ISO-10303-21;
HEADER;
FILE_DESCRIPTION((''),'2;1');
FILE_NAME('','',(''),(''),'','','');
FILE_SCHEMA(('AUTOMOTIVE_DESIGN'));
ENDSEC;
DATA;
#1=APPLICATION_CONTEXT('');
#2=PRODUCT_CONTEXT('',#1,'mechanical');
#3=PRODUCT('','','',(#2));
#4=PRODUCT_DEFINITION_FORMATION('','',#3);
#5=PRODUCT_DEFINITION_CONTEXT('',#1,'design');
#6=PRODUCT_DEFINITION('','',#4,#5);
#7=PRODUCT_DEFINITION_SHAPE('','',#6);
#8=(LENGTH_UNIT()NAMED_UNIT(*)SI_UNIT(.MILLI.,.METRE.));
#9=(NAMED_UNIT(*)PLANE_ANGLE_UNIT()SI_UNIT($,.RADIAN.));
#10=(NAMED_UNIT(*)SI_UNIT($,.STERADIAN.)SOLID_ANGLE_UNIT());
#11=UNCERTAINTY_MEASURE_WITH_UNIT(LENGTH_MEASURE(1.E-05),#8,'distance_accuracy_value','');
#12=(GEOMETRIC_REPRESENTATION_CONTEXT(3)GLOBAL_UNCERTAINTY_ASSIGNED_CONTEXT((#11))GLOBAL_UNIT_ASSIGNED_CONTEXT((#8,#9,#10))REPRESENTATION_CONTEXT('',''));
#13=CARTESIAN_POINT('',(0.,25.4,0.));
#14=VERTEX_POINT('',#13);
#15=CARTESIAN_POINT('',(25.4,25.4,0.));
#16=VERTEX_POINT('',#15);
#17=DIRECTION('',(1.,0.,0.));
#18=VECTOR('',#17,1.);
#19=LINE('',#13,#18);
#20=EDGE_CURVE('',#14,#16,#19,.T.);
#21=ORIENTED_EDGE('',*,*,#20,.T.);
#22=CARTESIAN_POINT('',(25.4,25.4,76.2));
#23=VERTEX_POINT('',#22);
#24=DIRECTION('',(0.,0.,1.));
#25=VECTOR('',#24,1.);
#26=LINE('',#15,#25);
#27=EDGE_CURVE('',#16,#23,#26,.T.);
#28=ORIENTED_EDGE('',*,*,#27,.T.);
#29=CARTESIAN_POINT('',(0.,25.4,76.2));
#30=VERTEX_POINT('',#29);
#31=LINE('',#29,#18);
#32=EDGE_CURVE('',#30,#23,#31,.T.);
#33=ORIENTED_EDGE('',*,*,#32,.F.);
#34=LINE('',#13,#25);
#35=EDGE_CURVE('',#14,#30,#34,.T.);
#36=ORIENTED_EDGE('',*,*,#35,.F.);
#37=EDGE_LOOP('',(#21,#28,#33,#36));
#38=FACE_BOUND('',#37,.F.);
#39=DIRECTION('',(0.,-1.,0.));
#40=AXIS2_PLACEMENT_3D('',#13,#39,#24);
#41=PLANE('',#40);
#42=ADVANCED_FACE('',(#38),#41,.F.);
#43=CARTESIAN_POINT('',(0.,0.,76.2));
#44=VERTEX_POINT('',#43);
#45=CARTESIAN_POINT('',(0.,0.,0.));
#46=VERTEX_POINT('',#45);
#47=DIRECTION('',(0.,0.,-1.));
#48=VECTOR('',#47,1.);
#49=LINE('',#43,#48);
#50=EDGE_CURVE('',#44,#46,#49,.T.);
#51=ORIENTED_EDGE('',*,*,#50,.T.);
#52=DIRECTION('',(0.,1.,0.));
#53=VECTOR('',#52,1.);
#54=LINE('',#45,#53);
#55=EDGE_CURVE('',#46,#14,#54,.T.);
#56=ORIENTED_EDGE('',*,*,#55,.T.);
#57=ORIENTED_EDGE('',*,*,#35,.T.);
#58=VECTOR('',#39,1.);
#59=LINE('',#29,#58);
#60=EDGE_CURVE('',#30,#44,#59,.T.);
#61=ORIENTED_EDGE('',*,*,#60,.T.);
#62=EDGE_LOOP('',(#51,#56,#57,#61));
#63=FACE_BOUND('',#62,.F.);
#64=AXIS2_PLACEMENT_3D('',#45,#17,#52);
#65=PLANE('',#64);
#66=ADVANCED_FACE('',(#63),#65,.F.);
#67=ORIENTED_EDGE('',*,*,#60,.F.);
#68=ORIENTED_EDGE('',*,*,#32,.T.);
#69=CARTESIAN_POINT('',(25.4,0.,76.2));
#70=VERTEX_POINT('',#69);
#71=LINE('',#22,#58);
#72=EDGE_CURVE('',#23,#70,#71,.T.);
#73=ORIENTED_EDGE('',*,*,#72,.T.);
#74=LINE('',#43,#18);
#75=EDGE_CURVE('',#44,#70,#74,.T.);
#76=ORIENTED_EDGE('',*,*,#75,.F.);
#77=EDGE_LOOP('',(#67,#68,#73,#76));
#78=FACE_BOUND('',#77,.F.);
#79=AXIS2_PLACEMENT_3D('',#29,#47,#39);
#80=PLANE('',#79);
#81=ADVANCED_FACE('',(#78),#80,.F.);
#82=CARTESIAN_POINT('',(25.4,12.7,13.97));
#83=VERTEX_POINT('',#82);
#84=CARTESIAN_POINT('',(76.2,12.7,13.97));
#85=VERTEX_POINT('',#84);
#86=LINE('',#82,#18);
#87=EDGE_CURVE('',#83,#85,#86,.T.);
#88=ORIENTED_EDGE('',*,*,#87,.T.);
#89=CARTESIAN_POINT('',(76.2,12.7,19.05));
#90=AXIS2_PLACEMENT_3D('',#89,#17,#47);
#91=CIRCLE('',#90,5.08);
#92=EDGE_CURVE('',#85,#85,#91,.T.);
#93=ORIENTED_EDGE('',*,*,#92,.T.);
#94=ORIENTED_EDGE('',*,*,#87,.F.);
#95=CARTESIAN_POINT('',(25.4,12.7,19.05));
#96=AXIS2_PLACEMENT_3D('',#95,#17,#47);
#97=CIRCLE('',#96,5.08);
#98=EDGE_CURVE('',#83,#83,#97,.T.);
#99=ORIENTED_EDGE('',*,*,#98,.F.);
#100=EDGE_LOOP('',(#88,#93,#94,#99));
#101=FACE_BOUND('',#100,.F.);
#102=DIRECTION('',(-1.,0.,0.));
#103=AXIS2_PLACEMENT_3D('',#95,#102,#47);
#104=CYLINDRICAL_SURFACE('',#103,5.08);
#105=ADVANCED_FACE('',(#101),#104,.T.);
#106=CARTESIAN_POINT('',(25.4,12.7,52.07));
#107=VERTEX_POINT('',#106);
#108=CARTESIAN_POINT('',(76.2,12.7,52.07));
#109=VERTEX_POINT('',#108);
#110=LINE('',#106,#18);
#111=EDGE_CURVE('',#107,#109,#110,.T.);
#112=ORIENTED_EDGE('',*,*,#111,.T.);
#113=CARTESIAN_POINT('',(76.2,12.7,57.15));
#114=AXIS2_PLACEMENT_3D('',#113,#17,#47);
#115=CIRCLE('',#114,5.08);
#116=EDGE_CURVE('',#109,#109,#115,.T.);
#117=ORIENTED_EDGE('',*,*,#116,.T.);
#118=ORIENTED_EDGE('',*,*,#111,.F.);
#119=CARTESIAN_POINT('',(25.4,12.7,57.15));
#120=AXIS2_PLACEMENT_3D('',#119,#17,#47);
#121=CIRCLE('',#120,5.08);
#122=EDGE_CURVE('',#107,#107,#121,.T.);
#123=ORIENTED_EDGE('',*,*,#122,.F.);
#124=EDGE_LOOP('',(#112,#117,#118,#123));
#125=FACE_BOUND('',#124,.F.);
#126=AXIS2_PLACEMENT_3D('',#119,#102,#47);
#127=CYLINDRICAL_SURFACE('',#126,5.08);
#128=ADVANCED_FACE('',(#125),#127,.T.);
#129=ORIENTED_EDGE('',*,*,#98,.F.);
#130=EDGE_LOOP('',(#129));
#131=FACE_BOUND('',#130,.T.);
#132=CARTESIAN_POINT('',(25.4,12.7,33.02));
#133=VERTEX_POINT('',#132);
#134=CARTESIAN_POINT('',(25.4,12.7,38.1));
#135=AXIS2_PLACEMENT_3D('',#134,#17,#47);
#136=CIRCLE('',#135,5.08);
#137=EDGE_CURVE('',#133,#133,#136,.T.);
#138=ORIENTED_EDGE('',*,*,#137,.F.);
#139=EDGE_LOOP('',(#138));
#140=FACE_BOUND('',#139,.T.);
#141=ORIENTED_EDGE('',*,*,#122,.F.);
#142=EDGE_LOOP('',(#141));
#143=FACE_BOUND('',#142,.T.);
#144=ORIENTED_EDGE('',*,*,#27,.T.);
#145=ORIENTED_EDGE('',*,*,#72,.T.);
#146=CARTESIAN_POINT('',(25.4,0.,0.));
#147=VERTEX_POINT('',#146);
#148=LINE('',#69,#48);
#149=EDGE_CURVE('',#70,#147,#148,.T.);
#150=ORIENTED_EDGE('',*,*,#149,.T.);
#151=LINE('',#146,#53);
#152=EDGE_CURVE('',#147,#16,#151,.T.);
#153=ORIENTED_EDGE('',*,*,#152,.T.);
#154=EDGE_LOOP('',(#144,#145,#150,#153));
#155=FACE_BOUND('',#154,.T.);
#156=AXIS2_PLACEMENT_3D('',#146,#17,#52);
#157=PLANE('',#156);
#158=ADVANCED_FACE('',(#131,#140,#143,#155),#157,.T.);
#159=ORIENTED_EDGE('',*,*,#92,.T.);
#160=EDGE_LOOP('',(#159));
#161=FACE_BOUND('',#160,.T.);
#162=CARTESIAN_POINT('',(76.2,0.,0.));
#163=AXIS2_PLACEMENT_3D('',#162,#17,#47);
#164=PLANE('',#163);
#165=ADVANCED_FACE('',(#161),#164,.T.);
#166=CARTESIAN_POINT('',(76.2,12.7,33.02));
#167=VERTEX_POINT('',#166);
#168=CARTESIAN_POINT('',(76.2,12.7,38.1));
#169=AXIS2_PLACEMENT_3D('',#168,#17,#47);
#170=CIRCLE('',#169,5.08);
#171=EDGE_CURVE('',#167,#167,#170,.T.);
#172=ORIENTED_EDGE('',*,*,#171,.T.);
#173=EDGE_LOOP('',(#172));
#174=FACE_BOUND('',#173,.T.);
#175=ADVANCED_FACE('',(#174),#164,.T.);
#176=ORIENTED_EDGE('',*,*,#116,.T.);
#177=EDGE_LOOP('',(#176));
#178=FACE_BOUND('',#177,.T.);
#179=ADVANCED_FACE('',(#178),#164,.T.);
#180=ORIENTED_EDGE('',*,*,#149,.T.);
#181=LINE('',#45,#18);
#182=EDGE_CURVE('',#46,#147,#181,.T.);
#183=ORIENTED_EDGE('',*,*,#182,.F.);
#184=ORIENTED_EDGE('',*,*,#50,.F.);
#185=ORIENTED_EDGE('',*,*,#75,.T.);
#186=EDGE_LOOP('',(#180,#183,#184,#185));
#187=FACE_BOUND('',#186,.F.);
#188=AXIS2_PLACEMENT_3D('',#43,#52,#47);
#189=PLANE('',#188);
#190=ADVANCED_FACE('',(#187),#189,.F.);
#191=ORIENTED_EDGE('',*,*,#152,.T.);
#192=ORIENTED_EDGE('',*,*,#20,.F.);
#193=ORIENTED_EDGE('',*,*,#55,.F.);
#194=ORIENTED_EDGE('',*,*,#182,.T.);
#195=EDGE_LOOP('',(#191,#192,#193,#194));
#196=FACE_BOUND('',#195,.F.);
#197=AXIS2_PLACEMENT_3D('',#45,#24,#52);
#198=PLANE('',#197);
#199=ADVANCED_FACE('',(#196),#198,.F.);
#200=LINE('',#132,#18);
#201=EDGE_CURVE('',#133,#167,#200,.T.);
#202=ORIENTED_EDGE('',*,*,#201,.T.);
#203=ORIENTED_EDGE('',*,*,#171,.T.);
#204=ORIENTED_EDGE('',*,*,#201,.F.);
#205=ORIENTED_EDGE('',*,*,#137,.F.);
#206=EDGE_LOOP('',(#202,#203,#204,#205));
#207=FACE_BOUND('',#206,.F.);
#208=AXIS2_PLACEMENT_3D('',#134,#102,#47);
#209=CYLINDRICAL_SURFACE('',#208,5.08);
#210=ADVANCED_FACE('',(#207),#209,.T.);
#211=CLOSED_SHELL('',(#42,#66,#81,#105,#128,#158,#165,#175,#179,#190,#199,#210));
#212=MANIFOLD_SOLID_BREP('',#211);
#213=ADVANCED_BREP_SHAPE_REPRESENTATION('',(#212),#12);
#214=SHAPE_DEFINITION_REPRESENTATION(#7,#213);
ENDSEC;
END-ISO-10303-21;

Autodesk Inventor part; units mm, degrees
ref_plane "YZ Plane" through (0, 0, 0) normal (1, 0, 0) x (0, 1, 0)
ref_plane "XZ Plane" through (0, 0, 0) normal (0, 1, 0) x (-1, 0, 0)
ref_plane "XY Plane" through (0, 0, 0) normal (0, 0, 1) x (1, 0, 0)
sketch "Sketch1" plane through (0, 0, 0) normal (1, 0, 0) x (0, 1, 0)
  line L0 (0, 0) -> (25.4, 0)
  line L1 (25.4, 0) -> (25.4, 76.2)
  line L2 (25.4, 76.2) -> (0, 76.2)
  line L3 (0, 76.2) -> (0, 0)
  dimension "d2" = 25.4
  dimension "d3" = 76.2
extrude "Extrusion1" add sketch "Sketch1" along normal blind 25.4
sketch "Sketch2" plane through (25.4, 0, 0) normal (1, 0, 0) x (0, 0, -1)
  circle A0 centre (-717.1181, 162.0804) radius 50.8
  circle A1 centre (-57.15, 12.7) radius 5.08
  circle A2 centre (-38.1, 12.7) radius 5.08
  circle A3 centre (-19.05, 12.7) radius 5.08
  line L0 (0, 25.4) -> (-76.2, 25.4) projected
  line L1 (-76.2, 0) -> (0, 0) projected
  line L2 (-76.2, 25.4) -> (-76.2, 0) projected
  line L3 (0, 0) -> (0, 25.4) projected
  dimension "d6" = 101.6
  dimension "d15" = 10.16
  dimension "d16" = 10.16
  dimension "d17" = 10.16
  dimension "d18" = 25.4
  dimension "d19" = 12.7
  dimension "d21" = 76.2
  dimension "d22" = 38.1
  dimension "d23" = 19.05
  dimension "d24" = 25.4
  dimension "d26" = 19.05
  dimension "d27" = 12.7
extrude "Extrusion2" add sketch "Sketch2" along normal blind 50.8 contours A1 | A2 | A3
equation "\"d16\" = d15"
equation "\"d17\" = d15"
equation "\"d19\" = 0.5 * d18"
equation "\"d22\" = 0.5 * d21"
equation "\"d23\" = 0.5 * d22"
equation "\"d26\" = d23"
equation "\"d27\" = d19"
